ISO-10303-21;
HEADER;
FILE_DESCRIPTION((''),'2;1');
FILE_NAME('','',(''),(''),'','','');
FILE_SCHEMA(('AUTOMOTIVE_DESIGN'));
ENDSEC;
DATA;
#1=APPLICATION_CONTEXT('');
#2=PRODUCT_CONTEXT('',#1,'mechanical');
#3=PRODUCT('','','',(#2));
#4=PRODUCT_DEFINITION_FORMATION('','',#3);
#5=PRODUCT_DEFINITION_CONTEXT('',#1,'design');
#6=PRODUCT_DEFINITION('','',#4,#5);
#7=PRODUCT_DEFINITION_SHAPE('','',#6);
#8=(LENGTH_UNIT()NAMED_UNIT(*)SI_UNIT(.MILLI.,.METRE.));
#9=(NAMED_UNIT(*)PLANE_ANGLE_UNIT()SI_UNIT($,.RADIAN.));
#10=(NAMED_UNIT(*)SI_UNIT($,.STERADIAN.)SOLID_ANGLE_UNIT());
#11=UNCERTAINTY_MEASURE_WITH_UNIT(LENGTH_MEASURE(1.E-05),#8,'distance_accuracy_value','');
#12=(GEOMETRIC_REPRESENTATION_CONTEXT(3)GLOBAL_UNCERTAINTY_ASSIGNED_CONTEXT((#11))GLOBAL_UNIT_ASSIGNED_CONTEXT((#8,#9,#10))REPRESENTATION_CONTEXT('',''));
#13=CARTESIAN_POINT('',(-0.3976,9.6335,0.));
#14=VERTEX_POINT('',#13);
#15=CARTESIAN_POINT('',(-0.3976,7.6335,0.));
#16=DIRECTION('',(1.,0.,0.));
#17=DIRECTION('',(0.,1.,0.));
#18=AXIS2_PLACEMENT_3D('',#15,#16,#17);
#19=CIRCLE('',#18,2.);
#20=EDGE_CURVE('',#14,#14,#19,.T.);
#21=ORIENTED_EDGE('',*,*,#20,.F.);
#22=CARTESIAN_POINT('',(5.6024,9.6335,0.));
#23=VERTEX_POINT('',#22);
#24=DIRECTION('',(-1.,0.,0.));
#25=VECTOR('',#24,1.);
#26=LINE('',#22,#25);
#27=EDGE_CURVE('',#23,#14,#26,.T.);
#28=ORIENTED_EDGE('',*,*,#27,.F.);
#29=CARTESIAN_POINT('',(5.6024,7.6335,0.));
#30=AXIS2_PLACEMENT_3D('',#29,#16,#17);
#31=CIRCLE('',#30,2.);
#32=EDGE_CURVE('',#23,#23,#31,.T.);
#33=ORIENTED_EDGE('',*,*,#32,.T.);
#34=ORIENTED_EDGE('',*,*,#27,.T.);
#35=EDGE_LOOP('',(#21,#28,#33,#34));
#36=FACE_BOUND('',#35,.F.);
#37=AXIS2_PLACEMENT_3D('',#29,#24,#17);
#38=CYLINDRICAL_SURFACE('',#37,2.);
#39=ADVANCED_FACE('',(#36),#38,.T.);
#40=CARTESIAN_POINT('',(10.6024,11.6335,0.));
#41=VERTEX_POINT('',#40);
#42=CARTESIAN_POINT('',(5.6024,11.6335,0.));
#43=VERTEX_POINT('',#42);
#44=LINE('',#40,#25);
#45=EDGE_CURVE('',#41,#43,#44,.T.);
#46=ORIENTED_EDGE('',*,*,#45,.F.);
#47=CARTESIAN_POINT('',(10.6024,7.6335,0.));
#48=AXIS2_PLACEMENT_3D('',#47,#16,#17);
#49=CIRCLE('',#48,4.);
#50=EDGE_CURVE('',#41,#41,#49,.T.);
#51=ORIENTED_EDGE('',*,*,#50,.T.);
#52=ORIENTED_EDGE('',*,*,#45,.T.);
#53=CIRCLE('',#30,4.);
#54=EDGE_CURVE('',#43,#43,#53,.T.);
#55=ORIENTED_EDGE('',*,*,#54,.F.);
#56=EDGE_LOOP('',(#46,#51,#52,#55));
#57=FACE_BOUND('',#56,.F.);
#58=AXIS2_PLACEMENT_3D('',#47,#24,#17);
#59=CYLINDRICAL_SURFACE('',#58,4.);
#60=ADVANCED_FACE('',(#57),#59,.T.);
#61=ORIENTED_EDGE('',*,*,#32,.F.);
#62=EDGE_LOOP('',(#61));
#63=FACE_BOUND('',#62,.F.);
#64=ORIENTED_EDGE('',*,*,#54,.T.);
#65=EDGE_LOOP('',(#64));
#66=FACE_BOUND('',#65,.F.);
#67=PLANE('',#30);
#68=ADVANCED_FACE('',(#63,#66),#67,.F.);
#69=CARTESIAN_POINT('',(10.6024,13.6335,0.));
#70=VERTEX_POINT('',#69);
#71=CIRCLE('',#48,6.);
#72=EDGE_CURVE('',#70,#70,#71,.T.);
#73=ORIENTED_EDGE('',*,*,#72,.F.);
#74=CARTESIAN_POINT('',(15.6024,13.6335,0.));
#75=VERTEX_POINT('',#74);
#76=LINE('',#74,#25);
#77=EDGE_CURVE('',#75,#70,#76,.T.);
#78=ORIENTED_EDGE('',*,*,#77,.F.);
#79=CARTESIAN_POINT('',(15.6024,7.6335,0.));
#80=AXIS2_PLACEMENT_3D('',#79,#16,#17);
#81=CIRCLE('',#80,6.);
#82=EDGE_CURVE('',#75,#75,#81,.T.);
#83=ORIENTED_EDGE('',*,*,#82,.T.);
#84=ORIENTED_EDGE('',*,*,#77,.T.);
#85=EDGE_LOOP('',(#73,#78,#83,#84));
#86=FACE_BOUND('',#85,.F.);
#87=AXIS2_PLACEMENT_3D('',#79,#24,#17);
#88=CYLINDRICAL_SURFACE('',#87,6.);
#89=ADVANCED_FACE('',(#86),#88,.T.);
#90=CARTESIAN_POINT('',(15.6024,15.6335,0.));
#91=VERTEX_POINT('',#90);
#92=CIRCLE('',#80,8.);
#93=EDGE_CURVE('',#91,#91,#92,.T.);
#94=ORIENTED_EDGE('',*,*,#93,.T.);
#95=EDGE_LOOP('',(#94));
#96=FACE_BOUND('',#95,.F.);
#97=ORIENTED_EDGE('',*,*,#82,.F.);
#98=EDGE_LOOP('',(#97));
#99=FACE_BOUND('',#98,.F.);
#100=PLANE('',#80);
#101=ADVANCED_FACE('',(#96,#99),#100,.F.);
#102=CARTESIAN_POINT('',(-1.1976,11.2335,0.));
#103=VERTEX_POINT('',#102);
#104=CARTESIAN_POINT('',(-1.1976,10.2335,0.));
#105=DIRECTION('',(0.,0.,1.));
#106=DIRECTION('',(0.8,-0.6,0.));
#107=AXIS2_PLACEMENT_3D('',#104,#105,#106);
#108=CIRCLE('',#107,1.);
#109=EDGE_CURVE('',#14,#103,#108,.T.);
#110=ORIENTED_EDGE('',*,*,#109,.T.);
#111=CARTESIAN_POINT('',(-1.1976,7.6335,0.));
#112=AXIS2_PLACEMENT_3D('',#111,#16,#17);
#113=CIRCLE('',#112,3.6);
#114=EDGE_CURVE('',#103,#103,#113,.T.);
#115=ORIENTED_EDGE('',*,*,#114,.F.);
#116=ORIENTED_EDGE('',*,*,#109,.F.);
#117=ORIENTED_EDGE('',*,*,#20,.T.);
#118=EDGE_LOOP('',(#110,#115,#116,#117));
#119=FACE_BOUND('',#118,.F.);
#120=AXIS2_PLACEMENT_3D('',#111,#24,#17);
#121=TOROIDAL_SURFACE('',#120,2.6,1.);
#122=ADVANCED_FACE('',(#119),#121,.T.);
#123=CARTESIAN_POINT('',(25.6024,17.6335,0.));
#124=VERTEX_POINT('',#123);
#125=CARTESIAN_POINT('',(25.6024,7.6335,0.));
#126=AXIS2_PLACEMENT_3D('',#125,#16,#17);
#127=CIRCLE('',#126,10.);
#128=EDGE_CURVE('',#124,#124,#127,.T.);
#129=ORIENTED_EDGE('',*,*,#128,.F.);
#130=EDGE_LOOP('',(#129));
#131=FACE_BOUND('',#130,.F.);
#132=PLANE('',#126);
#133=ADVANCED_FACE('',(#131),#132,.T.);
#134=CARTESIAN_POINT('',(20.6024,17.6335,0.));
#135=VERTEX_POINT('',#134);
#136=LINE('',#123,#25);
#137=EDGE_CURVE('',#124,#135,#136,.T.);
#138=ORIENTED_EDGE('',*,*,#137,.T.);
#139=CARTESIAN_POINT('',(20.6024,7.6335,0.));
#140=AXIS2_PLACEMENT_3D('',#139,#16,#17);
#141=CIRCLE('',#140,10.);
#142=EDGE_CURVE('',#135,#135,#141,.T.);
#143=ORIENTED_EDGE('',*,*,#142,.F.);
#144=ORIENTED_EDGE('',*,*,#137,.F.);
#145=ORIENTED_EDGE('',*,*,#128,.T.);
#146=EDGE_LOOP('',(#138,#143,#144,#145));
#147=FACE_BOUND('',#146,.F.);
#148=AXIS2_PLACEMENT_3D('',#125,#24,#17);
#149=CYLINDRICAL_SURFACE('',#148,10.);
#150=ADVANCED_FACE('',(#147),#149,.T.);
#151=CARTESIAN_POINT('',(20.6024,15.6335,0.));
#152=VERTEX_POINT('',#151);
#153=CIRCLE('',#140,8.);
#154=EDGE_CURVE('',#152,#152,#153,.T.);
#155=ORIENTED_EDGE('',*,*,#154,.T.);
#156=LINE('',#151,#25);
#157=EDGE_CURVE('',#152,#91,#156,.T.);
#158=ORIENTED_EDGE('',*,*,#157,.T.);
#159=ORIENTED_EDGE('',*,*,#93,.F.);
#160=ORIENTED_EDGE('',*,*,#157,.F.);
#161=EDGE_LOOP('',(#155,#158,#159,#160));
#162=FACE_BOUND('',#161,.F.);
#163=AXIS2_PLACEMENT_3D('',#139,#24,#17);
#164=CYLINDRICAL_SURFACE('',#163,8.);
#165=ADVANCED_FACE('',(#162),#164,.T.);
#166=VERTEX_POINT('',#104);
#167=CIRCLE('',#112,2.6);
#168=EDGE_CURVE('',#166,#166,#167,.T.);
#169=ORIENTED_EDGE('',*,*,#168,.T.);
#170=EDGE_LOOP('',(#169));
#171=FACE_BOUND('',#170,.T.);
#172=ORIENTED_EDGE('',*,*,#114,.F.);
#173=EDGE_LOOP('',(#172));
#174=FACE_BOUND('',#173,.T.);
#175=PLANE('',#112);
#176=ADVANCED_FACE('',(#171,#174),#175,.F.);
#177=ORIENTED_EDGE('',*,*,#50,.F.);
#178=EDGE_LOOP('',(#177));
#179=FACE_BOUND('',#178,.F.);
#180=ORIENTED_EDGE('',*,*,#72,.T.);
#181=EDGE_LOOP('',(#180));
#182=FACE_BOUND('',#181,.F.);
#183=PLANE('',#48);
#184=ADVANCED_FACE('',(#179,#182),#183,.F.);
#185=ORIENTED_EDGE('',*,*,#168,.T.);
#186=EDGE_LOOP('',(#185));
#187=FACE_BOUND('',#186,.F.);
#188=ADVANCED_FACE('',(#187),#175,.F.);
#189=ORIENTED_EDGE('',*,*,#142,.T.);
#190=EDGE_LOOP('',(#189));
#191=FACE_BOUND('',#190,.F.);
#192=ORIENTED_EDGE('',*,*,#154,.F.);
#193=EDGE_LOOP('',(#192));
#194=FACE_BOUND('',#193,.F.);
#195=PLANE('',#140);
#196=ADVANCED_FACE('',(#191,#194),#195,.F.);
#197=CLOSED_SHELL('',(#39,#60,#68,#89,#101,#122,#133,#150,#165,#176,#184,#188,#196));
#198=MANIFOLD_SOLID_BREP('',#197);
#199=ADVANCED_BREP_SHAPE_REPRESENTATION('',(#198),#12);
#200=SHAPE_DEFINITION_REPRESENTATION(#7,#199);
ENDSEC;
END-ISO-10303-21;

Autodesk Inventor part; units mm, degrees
ref_plane "YZ Plane" through (0, 0, 0) normal (1, 0, 0) x (0, 1, 0)
ref_plane "XZ Plane" through (0, 0, 0) normal (0, 1, 0) x (-1, 0, 0)
ref_plane "XY Plane" through (0, 0, 0) normal (0, 0, 1) x (1, 0, 0)
sketch "Sketch1" plane through (0, 0, 0) normal (0, 0, 1) x (1, 0, 0)
  line L0 (-42.6611, 7.6335) -> (42.1293, 7.6335) construction
  line L1 (25.6024, 7.6335) -> (25.6024, 17.6335)
  line L2 (25.6024, 17.6335) -> (20.6024, 17.6335)
  line L3 (20.6024, 17.6335) -> (20.6024, 15.6335)
  line L4 (20.6024, 15.6335) -> (15.6024, 15.6335)
  line L5 (15.6024, 15.6335) -> (15.6024, 13.6335)
  line L6 (15.6024, 13.6335) -> (10.6024, 13.6335)
  line L7 (10.6024, 13.6335) -> (10.6024, 11.6335)
  line L8 (10.6024, 11.6335) -> (5.6024, 11.6335)
  line L9 (5.6024, 11.6335) -> (5.6024, 9.6335)
  line L10 (5.6024, 9.6335) -> (-0.3976, 9.6335)
  arc A0 (-0.3976, 9.6335) -> (-1.1976, 11.2335) centre (-1.1976, 10.2335) ccw
  line L11 (-1.1976, 10.2335) -> (-1.1976, 7.6335)
  line L12 (-1.1976, 10.2335) -> (-1.1976, 11.2335)
  line L13 (-1.1976, 7.6335) -> (25.6024, 7.6335)
  point P0 (0, 0)
  dimension "d2" = 5
  dimension "d3" = 5
  dimension "d4" = 5
  dimension "d5" = 5
  dimension "d7" = 2
  dimension "d8" = 2
  dimension "d9" = 2
  dimension "d10" = 2
  dimension "d11" = 2
  dimension "d12" = 2
revolve "Revolution1" add sketch "Sketch1" angle 360 about axis through (-42.6611, 7.6335, 0) along (1, 0, 0)
properties part number "lesson4"
